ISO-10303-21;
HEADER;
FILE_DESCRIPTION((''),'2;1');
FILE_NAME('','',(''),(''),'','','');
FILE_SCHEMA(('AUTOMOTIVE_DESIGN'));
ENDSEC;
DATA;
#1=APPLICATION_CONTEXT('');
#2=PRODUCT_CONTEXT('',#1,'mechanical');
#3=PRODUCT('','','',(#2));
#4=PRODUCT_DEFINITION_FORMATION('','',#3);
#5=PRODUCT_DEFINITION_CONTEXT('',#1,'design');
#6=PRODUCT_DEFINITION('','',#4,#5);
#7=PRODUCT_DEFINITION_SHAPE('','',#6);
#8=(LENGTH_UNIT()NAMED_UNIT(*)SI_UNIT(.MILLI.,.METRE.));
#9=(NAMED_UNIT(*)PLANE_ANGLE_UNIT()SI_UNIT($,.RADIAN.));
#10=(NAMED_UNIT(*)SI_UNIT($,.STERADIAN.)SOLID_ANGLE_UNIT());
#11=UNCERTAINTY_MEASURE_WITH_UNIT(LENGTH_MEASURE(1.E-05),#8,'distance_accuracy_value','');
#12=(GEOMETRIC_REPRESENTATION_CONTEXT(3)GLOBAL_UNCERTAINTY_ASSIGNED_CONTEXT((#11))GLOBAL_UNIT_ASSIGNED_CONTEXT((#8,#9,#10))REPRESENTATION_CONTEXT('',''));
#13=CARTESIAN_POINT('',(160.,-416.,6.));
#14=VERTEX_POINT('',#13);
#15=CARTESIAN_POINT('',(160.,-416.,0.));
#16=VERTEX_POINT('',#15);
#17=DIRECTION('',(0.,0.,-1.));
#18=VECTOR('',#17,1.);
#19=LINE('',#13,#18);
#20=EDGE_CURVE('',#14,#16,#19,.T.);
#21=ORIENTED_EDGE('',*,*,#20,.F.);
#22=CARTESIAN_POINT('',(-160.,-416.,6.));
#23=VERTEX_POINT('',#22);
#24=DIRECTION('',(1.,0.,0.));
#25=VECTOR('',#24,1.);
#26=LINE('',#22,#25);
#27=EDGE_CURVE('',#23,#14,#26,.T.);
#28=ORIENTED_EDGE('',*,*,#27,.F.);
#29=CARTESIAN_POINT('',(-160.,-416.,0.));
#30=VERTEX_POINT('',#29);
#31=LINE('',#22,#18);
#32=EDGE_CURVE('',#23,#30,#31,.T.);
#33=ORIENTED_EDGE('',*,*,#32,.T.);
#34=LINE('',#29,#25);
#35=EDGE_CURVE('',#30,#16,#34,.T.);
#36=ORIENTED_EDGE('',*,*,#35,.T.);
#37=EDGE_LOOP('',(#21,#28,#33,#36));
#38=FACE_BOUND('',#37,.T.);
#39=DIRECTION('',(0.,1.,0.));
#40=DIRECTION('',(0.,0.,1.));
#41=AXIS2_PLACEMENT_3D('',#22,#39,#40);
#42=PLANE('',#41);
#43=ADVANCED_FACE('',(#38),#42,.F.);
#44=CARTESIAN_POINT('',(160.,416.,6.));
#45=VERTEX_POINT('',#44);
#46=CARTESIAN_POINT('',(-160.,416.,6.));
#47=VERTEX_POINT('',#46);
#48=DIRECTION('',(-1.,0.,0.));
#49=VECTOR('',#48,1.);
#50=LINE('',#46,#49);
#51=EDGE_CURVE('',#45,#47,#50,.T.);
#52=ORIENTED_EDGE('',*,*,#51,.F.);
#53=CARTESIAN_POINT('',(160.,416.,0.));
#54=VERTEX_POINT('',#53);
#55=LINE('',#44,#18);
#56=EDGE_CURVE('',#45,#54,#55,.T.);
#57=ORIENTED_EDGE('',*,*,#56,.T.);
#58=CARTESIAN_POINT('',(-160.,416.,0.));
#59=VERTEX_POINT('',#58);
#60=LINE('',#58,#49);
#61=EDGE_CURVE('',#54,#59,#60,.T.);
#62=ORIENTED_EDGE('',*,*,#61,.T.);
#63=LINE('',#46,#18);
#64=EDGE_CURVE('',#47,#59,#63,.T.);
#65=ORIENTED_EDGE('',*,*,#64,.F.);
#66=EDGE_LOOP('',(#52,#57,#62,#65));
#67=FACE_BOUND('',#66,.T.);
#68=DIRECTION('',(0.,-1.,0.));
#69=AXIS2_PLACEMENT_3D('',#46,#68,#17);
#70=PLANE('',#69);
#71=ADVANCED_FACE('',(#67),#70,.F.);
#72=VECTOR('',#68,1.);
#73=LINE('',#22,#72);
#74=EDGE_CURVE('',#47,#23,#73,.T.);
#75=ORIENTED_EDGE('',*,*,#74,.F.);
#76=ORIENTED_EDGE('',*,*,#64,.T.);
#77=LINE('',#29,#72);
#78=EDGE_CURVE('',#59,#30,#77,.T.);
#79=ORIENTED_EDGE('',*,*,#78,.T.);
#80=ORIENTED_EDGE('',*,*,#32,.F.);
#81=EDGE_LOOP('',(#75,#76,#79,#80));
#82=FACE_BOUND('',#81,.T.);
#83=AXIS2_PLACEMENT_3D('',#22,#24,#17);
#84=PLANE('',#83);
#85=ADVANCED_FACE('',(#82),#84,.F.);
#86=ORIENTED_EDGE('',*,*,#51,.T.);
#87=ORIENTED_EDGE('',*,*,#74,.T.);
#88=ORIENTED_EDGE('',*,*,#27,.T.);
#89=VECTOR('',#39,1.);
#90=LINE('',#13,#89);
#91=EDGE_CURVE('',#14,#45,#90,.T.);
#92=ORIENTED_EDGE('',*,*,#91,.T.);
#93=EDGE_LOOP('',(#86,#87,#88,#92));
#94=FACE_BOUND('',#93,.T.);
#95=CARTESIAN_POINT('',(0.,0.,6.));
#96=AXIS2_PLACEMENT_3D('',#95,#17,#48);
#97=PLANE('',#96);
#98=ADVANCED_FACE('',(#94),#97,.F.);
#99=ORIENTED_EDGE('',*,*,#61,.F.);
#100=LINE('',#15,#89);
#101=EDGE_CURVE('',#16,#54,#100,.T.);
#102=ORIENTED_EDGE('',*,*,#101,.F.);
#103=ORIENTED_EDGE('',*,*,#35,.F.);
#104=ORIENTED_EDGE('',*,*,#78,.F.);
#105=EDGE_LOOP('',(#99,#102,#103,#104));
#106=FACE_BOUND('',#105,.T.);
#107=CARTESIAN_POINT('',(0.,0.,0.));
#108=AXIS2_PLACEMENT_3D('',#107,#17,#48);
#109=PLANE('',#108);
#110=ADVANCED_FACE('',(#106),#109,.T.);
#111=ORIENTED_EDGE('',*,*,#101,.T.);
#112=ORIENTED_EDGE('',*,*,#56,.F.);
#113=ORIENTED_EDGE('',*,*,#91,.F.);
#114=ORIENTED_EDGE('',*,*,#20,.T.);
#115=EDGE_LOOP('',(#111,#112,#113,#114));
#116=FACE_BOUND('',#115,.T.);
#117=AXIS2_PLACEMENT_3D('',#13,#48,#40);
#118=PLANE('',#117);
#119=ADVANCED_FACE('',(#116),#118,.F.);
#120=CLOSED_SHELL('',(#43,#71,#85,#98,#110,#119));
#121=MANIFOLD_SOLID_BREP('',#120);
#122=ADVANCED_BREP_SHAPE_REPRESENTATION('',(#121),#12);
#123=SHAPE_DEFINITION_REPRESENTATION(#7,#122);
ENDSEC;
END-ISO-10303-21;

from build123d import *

# Parameters (mm, degrees)
ESQUISSE1_W        = 320
ESQUISSE1_H        = 832
BOSS_EXTRU_1_DEPTH = 6


with BuildPart() as part:
    # Esquisse1 → Boss.-Extru.1 (new body)
    with BuildSketch(Plane.XY):
        Rectangle(ESQUISSE1_W, ESQUISSE1_H)
    extrude(amount=BOSS_EXTRU_1_DEPTH)


solid = part.part
